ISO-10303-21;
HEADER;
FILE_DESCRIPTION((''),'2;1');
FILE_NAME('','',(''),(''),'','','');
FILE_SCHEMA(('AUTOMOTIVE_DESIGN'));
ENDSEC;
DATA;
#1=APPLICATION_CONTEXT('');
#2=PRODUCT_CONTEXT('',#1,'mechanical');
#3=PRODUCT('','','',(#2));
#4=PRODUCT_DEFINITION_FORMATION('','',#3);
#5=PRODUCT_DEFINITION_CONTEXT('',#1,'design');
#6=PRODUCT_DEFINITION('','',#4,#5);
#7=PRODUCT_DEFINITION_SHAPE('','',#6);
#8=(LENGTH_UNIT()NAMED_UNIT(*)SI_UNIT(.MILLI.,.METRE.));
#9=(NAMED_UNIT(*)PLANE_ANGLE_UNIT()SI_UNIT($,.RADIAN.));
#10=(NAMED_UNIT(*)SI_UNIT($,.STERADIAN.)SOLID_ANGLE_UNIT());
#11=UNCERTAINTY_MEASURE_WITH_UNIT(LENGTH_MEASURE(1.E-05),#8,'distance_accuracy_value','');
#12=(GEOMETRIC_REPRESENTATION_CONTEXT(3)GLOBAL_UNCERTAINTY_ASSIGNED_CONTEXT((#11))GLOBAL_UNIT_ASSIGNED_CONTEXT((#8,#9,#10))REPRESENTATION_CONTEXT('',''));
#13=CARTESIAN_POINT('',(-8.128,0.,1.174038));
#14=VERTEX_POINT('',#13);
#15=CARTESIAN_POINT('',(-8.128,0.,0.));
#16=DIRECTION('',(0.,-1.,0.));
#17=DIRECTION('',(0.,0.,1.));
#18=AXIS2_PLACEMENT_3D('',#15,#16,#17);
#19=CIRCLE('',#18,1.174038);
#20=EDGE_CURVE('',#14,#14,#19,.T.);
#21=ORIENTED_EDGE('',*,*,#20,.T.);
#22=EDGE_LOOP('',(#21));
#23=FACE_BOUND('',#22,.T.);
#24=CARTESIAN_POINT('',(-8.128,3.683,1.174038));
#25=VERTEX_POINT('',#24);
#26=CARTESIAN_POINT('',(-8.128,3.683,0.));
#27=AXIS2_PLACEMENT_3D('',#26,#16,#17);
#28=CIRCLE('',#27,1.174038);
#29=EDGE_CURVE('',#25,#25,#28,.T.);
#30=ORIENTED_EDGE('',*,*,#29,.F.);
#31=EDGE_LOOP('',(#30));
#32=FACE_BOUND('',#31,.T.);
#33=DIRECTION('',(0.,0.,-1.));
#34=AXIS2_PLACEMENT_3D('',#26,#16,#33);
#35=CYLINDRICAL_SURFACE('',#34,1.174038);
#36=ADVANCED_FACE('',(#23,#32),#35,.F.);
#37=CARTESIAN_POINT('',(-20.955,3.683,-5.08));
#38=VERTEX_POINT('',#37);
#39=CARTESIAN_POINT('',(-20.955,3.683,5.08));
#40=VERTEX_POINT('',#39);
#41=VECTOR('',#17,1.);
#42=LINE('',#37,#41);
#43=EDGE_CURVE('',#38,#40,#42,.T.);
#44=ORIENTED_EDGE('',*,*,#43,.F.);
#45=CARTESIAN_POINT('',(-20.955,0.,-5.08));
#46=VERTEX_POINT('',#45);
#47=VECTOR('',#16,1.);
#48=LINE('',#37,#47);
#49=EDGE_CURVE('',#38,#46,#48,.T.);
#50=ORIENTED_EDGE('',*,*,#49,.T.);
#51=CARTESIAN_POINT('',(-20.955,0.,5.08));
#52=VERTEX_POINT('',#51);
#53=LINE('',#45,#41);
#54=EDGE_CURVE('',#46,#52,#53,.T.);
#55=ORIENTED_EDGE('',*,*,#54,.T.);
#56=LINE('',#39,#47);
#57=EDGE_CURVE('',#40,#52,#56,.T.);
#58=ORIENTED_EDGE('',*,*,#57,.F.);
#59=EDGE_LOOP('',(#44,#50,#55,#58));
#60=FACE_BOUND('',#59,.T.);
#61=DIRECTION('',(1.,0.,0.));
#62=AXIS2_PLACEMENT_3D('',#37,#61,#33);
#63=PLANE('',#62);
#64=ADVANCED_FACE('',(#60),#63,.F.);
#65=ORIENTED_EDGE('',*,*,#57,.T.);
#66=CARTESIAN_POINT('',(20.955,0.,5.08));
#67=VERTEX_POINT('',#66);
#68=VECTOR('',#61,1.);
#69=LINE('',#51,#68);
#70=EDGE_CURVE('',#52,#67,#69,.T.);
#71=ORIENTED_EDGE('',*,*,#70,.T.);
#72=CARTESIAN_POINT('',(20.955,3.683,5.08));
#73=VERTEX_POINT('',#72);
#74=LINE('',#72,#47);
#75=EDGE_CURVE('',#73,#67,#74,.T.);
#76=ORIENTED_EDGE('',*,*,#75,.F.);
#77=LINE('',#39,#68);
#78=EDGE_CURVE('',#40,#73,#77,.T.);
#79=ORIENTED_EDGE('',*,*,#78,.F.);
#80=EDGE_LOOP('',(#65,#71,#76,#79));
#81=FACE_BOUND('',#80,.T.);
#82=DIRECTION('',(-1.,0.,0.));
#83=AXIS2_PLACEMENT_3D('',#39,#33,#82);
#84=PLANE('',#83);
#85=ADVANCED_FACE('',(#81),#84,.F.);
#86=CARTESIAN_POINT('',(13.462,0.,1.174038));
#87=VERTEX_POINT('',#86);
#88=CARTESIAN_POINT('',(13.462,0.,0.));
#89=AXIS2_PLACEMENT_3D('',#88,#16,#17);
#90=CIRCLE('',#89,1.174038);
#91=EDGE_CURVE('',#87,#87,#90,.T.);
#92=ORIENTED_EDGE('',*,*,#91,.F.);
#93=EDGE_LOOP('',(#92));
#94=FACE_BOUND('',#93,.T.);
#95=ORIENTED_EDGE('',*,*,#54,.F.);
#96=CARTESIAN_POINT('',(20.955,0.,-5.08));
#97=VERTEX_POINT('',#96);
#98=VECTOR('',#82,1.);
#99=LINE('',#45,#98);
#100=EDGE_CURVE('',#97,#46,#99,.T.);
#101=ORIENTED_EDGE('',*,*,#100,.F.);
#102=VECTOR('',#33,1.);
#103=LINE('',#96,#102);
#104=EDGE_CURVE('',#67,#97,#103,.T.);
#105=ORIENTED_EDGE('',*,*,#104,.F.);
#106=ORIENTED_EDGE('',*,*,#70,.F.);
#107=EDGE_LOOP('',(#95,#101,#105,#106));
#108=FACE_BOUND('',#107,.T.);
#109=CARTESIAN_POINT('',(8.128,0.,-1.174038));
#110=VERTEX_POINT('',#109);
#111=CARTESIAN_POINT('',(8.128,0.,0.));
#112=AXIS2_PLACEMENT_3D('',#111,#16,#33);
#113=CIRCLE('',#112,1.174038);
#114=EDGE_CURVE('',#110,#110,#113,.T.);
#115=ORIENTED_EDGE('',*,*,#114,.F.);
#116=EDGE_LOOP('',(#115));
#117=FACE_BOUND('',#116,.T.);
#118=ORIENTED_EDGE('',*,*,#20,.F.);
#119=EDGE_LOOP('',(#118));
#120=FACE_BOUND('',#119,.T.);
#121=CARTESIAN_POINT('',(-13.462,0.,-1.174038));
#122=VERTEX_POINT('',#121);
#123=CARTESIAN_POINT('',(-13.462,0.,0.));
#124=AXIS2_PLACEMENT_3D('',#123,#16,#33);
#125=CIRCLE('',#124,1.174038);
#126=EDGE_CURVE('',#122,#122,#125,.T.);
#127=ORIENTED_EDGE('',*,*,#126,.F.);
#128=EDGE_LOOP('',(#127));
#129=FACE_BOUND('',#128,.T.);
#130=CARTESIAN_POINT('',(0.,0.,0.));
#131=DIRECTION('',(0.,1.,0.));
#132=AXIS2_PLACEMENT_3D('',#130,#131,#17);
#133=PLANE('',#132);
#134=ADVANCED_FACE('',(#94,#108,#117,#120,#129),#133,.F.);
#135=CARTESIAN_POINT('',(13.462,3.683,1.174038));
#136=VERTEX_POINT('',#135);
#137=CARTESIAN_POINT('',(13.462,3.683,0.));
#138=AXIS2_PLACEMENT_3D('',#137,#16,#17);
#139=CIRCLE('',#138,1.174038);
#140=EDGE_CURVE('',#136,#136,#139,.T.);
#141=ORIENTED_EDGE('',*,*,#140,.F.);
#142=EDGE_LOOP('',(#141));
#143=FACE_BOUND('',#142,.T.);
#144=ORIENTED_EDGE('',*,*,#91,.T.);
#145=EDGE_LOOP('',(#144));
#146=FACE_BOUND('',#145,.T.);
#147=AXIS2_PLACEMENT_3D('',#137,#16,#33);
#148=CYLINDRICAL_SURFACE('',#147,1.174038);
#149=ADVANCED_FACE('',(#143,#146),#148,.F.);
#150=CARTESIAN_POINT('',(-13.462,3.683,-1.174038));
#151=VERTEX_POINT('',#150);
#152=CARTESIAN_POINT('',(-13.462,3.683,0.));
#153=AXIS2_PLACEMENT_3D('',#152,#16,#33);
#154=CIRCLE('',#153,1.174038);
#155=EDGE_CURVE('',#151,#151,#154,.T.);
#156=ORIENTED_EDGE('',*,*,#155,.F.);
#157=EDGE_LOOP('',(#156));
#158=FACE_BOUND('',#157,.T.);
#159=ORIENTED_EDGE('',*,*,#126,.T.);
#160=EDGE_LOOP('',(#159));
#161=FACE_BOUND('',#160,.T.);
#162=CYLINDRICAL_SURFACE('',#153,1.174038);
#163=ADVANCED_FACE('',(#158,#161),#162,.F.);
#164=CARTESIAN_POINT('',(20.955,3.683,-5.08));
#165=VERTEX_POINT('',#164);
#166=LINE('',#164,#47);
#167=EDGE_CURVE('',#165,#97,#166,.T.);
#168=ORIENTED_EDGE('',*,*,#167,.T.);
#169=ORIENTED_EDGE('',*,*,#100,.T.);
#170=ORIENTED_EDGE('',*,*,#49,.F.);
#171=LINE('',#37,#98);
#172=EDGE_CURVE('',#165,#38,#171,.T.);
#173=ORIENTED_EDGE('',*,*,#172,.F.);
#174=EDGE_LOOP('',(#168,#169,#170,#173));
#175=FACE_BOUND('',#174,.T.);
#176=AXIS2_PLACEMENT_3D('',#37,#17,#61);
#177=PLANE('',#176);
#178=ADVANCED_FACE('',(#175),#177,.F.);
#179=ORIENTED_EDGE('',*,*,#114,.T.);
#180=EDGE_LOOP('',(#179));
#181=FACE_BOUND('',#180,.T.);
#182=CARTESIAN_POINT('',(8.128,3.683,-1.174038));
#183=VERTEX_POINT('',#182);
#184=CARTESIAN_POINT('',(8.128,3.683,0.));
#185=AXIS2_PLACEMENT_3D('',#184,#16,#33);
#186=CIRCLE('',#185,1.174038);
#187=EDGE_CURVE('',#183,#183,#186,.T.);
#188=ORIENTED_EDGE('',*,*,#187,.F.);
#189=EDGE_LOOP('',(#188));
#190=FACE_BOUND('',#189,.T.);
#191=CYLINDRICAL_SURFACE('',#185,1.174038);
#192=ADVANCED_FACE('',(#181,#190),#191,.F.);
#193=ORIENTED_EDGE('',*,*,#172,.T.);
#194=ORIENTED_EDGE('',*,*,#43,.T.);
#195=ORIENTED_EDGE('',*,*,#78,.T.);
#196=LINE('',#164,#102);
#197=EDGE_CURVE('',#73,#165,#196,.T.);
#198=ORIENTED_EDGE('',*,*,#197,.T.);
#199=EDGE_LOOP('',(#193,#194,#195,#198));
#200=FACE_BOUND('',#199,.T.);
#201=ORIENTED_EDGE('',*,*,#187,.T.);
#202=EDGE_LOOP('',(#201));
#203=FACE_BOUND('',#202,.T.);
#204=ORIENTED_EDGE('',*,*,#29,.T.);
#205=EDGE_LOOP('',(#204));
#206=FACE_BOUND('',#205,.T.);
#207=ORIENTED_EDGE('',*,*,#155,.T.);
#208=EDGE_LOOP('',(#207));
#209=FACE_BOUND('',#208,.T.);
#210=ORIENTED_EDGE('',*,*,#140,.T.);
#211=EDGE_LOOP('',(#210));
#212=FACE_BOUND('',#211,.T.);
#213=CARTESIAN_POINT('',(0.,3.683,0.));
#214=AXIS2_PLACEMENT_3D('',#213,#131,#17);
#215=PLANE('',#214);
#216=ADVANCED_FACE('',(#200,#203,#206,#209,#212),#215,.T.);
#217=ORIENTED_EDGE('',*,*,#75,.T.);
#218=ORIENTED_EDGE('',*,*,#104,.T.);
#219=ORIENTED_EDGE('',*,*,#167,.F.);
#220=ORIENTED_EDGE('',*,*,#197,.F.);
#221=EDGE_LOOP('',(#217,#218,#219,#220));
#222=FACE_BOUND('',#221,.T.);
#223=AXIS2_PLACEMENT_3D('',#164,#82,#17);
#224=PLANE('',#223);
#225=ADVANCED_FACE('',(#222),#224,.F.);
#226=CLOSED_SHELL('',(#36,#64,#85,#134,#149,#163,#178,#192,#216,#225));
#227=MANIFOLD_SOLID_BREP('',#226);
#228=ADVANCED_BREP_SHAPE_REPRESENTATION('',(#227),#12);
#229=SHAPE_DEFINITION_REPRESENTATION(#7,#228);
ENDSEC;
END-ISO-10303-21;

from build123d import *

# Parameters (mm, degrees)
SKETCH1_W           = 41.91
SKETCH1_H           = 10.16
BOSS_EXTRUDE1_DEPTH = 3.683
SKETCH2_2_R         = 1.174037675
CUT_EXTRUDE1_DEPTH  = 4.683


with BuildPart() as part:
    # Sketch1 → Boss-Extrude1 (new body)
    with BuildSketch(Plane(origin=(0, 0, 0), x_dir=(1, 0, 0), z_dir=(0, 1, 0))):
        Rectangle(SKETCH1_W, SKETCH1_H)
    extrude(amount=BOSS_EXTRUDE1_DEPTH)

    # Sketch2<2> → Cut-Extrude1 (cut, through all)
    with BuildSketch(Plane.XZ):
        with Locations((-13.462, 0)):
            Circle(SKETCH2_2_R)
        with Locations((-8.128, 0)):
            Circle(SKETCH2_2_R)
        with Locations((8.128, 0)):
            Circle(SKETCH2_2_R)
        with Locations((13.462, 0)):
            Circle(SKETCH2_2_R)
    extrude(amount=-CUT_EXTRUDE1_DEPTH, mode=Mode.SUBTRACT)


solid = part.part
